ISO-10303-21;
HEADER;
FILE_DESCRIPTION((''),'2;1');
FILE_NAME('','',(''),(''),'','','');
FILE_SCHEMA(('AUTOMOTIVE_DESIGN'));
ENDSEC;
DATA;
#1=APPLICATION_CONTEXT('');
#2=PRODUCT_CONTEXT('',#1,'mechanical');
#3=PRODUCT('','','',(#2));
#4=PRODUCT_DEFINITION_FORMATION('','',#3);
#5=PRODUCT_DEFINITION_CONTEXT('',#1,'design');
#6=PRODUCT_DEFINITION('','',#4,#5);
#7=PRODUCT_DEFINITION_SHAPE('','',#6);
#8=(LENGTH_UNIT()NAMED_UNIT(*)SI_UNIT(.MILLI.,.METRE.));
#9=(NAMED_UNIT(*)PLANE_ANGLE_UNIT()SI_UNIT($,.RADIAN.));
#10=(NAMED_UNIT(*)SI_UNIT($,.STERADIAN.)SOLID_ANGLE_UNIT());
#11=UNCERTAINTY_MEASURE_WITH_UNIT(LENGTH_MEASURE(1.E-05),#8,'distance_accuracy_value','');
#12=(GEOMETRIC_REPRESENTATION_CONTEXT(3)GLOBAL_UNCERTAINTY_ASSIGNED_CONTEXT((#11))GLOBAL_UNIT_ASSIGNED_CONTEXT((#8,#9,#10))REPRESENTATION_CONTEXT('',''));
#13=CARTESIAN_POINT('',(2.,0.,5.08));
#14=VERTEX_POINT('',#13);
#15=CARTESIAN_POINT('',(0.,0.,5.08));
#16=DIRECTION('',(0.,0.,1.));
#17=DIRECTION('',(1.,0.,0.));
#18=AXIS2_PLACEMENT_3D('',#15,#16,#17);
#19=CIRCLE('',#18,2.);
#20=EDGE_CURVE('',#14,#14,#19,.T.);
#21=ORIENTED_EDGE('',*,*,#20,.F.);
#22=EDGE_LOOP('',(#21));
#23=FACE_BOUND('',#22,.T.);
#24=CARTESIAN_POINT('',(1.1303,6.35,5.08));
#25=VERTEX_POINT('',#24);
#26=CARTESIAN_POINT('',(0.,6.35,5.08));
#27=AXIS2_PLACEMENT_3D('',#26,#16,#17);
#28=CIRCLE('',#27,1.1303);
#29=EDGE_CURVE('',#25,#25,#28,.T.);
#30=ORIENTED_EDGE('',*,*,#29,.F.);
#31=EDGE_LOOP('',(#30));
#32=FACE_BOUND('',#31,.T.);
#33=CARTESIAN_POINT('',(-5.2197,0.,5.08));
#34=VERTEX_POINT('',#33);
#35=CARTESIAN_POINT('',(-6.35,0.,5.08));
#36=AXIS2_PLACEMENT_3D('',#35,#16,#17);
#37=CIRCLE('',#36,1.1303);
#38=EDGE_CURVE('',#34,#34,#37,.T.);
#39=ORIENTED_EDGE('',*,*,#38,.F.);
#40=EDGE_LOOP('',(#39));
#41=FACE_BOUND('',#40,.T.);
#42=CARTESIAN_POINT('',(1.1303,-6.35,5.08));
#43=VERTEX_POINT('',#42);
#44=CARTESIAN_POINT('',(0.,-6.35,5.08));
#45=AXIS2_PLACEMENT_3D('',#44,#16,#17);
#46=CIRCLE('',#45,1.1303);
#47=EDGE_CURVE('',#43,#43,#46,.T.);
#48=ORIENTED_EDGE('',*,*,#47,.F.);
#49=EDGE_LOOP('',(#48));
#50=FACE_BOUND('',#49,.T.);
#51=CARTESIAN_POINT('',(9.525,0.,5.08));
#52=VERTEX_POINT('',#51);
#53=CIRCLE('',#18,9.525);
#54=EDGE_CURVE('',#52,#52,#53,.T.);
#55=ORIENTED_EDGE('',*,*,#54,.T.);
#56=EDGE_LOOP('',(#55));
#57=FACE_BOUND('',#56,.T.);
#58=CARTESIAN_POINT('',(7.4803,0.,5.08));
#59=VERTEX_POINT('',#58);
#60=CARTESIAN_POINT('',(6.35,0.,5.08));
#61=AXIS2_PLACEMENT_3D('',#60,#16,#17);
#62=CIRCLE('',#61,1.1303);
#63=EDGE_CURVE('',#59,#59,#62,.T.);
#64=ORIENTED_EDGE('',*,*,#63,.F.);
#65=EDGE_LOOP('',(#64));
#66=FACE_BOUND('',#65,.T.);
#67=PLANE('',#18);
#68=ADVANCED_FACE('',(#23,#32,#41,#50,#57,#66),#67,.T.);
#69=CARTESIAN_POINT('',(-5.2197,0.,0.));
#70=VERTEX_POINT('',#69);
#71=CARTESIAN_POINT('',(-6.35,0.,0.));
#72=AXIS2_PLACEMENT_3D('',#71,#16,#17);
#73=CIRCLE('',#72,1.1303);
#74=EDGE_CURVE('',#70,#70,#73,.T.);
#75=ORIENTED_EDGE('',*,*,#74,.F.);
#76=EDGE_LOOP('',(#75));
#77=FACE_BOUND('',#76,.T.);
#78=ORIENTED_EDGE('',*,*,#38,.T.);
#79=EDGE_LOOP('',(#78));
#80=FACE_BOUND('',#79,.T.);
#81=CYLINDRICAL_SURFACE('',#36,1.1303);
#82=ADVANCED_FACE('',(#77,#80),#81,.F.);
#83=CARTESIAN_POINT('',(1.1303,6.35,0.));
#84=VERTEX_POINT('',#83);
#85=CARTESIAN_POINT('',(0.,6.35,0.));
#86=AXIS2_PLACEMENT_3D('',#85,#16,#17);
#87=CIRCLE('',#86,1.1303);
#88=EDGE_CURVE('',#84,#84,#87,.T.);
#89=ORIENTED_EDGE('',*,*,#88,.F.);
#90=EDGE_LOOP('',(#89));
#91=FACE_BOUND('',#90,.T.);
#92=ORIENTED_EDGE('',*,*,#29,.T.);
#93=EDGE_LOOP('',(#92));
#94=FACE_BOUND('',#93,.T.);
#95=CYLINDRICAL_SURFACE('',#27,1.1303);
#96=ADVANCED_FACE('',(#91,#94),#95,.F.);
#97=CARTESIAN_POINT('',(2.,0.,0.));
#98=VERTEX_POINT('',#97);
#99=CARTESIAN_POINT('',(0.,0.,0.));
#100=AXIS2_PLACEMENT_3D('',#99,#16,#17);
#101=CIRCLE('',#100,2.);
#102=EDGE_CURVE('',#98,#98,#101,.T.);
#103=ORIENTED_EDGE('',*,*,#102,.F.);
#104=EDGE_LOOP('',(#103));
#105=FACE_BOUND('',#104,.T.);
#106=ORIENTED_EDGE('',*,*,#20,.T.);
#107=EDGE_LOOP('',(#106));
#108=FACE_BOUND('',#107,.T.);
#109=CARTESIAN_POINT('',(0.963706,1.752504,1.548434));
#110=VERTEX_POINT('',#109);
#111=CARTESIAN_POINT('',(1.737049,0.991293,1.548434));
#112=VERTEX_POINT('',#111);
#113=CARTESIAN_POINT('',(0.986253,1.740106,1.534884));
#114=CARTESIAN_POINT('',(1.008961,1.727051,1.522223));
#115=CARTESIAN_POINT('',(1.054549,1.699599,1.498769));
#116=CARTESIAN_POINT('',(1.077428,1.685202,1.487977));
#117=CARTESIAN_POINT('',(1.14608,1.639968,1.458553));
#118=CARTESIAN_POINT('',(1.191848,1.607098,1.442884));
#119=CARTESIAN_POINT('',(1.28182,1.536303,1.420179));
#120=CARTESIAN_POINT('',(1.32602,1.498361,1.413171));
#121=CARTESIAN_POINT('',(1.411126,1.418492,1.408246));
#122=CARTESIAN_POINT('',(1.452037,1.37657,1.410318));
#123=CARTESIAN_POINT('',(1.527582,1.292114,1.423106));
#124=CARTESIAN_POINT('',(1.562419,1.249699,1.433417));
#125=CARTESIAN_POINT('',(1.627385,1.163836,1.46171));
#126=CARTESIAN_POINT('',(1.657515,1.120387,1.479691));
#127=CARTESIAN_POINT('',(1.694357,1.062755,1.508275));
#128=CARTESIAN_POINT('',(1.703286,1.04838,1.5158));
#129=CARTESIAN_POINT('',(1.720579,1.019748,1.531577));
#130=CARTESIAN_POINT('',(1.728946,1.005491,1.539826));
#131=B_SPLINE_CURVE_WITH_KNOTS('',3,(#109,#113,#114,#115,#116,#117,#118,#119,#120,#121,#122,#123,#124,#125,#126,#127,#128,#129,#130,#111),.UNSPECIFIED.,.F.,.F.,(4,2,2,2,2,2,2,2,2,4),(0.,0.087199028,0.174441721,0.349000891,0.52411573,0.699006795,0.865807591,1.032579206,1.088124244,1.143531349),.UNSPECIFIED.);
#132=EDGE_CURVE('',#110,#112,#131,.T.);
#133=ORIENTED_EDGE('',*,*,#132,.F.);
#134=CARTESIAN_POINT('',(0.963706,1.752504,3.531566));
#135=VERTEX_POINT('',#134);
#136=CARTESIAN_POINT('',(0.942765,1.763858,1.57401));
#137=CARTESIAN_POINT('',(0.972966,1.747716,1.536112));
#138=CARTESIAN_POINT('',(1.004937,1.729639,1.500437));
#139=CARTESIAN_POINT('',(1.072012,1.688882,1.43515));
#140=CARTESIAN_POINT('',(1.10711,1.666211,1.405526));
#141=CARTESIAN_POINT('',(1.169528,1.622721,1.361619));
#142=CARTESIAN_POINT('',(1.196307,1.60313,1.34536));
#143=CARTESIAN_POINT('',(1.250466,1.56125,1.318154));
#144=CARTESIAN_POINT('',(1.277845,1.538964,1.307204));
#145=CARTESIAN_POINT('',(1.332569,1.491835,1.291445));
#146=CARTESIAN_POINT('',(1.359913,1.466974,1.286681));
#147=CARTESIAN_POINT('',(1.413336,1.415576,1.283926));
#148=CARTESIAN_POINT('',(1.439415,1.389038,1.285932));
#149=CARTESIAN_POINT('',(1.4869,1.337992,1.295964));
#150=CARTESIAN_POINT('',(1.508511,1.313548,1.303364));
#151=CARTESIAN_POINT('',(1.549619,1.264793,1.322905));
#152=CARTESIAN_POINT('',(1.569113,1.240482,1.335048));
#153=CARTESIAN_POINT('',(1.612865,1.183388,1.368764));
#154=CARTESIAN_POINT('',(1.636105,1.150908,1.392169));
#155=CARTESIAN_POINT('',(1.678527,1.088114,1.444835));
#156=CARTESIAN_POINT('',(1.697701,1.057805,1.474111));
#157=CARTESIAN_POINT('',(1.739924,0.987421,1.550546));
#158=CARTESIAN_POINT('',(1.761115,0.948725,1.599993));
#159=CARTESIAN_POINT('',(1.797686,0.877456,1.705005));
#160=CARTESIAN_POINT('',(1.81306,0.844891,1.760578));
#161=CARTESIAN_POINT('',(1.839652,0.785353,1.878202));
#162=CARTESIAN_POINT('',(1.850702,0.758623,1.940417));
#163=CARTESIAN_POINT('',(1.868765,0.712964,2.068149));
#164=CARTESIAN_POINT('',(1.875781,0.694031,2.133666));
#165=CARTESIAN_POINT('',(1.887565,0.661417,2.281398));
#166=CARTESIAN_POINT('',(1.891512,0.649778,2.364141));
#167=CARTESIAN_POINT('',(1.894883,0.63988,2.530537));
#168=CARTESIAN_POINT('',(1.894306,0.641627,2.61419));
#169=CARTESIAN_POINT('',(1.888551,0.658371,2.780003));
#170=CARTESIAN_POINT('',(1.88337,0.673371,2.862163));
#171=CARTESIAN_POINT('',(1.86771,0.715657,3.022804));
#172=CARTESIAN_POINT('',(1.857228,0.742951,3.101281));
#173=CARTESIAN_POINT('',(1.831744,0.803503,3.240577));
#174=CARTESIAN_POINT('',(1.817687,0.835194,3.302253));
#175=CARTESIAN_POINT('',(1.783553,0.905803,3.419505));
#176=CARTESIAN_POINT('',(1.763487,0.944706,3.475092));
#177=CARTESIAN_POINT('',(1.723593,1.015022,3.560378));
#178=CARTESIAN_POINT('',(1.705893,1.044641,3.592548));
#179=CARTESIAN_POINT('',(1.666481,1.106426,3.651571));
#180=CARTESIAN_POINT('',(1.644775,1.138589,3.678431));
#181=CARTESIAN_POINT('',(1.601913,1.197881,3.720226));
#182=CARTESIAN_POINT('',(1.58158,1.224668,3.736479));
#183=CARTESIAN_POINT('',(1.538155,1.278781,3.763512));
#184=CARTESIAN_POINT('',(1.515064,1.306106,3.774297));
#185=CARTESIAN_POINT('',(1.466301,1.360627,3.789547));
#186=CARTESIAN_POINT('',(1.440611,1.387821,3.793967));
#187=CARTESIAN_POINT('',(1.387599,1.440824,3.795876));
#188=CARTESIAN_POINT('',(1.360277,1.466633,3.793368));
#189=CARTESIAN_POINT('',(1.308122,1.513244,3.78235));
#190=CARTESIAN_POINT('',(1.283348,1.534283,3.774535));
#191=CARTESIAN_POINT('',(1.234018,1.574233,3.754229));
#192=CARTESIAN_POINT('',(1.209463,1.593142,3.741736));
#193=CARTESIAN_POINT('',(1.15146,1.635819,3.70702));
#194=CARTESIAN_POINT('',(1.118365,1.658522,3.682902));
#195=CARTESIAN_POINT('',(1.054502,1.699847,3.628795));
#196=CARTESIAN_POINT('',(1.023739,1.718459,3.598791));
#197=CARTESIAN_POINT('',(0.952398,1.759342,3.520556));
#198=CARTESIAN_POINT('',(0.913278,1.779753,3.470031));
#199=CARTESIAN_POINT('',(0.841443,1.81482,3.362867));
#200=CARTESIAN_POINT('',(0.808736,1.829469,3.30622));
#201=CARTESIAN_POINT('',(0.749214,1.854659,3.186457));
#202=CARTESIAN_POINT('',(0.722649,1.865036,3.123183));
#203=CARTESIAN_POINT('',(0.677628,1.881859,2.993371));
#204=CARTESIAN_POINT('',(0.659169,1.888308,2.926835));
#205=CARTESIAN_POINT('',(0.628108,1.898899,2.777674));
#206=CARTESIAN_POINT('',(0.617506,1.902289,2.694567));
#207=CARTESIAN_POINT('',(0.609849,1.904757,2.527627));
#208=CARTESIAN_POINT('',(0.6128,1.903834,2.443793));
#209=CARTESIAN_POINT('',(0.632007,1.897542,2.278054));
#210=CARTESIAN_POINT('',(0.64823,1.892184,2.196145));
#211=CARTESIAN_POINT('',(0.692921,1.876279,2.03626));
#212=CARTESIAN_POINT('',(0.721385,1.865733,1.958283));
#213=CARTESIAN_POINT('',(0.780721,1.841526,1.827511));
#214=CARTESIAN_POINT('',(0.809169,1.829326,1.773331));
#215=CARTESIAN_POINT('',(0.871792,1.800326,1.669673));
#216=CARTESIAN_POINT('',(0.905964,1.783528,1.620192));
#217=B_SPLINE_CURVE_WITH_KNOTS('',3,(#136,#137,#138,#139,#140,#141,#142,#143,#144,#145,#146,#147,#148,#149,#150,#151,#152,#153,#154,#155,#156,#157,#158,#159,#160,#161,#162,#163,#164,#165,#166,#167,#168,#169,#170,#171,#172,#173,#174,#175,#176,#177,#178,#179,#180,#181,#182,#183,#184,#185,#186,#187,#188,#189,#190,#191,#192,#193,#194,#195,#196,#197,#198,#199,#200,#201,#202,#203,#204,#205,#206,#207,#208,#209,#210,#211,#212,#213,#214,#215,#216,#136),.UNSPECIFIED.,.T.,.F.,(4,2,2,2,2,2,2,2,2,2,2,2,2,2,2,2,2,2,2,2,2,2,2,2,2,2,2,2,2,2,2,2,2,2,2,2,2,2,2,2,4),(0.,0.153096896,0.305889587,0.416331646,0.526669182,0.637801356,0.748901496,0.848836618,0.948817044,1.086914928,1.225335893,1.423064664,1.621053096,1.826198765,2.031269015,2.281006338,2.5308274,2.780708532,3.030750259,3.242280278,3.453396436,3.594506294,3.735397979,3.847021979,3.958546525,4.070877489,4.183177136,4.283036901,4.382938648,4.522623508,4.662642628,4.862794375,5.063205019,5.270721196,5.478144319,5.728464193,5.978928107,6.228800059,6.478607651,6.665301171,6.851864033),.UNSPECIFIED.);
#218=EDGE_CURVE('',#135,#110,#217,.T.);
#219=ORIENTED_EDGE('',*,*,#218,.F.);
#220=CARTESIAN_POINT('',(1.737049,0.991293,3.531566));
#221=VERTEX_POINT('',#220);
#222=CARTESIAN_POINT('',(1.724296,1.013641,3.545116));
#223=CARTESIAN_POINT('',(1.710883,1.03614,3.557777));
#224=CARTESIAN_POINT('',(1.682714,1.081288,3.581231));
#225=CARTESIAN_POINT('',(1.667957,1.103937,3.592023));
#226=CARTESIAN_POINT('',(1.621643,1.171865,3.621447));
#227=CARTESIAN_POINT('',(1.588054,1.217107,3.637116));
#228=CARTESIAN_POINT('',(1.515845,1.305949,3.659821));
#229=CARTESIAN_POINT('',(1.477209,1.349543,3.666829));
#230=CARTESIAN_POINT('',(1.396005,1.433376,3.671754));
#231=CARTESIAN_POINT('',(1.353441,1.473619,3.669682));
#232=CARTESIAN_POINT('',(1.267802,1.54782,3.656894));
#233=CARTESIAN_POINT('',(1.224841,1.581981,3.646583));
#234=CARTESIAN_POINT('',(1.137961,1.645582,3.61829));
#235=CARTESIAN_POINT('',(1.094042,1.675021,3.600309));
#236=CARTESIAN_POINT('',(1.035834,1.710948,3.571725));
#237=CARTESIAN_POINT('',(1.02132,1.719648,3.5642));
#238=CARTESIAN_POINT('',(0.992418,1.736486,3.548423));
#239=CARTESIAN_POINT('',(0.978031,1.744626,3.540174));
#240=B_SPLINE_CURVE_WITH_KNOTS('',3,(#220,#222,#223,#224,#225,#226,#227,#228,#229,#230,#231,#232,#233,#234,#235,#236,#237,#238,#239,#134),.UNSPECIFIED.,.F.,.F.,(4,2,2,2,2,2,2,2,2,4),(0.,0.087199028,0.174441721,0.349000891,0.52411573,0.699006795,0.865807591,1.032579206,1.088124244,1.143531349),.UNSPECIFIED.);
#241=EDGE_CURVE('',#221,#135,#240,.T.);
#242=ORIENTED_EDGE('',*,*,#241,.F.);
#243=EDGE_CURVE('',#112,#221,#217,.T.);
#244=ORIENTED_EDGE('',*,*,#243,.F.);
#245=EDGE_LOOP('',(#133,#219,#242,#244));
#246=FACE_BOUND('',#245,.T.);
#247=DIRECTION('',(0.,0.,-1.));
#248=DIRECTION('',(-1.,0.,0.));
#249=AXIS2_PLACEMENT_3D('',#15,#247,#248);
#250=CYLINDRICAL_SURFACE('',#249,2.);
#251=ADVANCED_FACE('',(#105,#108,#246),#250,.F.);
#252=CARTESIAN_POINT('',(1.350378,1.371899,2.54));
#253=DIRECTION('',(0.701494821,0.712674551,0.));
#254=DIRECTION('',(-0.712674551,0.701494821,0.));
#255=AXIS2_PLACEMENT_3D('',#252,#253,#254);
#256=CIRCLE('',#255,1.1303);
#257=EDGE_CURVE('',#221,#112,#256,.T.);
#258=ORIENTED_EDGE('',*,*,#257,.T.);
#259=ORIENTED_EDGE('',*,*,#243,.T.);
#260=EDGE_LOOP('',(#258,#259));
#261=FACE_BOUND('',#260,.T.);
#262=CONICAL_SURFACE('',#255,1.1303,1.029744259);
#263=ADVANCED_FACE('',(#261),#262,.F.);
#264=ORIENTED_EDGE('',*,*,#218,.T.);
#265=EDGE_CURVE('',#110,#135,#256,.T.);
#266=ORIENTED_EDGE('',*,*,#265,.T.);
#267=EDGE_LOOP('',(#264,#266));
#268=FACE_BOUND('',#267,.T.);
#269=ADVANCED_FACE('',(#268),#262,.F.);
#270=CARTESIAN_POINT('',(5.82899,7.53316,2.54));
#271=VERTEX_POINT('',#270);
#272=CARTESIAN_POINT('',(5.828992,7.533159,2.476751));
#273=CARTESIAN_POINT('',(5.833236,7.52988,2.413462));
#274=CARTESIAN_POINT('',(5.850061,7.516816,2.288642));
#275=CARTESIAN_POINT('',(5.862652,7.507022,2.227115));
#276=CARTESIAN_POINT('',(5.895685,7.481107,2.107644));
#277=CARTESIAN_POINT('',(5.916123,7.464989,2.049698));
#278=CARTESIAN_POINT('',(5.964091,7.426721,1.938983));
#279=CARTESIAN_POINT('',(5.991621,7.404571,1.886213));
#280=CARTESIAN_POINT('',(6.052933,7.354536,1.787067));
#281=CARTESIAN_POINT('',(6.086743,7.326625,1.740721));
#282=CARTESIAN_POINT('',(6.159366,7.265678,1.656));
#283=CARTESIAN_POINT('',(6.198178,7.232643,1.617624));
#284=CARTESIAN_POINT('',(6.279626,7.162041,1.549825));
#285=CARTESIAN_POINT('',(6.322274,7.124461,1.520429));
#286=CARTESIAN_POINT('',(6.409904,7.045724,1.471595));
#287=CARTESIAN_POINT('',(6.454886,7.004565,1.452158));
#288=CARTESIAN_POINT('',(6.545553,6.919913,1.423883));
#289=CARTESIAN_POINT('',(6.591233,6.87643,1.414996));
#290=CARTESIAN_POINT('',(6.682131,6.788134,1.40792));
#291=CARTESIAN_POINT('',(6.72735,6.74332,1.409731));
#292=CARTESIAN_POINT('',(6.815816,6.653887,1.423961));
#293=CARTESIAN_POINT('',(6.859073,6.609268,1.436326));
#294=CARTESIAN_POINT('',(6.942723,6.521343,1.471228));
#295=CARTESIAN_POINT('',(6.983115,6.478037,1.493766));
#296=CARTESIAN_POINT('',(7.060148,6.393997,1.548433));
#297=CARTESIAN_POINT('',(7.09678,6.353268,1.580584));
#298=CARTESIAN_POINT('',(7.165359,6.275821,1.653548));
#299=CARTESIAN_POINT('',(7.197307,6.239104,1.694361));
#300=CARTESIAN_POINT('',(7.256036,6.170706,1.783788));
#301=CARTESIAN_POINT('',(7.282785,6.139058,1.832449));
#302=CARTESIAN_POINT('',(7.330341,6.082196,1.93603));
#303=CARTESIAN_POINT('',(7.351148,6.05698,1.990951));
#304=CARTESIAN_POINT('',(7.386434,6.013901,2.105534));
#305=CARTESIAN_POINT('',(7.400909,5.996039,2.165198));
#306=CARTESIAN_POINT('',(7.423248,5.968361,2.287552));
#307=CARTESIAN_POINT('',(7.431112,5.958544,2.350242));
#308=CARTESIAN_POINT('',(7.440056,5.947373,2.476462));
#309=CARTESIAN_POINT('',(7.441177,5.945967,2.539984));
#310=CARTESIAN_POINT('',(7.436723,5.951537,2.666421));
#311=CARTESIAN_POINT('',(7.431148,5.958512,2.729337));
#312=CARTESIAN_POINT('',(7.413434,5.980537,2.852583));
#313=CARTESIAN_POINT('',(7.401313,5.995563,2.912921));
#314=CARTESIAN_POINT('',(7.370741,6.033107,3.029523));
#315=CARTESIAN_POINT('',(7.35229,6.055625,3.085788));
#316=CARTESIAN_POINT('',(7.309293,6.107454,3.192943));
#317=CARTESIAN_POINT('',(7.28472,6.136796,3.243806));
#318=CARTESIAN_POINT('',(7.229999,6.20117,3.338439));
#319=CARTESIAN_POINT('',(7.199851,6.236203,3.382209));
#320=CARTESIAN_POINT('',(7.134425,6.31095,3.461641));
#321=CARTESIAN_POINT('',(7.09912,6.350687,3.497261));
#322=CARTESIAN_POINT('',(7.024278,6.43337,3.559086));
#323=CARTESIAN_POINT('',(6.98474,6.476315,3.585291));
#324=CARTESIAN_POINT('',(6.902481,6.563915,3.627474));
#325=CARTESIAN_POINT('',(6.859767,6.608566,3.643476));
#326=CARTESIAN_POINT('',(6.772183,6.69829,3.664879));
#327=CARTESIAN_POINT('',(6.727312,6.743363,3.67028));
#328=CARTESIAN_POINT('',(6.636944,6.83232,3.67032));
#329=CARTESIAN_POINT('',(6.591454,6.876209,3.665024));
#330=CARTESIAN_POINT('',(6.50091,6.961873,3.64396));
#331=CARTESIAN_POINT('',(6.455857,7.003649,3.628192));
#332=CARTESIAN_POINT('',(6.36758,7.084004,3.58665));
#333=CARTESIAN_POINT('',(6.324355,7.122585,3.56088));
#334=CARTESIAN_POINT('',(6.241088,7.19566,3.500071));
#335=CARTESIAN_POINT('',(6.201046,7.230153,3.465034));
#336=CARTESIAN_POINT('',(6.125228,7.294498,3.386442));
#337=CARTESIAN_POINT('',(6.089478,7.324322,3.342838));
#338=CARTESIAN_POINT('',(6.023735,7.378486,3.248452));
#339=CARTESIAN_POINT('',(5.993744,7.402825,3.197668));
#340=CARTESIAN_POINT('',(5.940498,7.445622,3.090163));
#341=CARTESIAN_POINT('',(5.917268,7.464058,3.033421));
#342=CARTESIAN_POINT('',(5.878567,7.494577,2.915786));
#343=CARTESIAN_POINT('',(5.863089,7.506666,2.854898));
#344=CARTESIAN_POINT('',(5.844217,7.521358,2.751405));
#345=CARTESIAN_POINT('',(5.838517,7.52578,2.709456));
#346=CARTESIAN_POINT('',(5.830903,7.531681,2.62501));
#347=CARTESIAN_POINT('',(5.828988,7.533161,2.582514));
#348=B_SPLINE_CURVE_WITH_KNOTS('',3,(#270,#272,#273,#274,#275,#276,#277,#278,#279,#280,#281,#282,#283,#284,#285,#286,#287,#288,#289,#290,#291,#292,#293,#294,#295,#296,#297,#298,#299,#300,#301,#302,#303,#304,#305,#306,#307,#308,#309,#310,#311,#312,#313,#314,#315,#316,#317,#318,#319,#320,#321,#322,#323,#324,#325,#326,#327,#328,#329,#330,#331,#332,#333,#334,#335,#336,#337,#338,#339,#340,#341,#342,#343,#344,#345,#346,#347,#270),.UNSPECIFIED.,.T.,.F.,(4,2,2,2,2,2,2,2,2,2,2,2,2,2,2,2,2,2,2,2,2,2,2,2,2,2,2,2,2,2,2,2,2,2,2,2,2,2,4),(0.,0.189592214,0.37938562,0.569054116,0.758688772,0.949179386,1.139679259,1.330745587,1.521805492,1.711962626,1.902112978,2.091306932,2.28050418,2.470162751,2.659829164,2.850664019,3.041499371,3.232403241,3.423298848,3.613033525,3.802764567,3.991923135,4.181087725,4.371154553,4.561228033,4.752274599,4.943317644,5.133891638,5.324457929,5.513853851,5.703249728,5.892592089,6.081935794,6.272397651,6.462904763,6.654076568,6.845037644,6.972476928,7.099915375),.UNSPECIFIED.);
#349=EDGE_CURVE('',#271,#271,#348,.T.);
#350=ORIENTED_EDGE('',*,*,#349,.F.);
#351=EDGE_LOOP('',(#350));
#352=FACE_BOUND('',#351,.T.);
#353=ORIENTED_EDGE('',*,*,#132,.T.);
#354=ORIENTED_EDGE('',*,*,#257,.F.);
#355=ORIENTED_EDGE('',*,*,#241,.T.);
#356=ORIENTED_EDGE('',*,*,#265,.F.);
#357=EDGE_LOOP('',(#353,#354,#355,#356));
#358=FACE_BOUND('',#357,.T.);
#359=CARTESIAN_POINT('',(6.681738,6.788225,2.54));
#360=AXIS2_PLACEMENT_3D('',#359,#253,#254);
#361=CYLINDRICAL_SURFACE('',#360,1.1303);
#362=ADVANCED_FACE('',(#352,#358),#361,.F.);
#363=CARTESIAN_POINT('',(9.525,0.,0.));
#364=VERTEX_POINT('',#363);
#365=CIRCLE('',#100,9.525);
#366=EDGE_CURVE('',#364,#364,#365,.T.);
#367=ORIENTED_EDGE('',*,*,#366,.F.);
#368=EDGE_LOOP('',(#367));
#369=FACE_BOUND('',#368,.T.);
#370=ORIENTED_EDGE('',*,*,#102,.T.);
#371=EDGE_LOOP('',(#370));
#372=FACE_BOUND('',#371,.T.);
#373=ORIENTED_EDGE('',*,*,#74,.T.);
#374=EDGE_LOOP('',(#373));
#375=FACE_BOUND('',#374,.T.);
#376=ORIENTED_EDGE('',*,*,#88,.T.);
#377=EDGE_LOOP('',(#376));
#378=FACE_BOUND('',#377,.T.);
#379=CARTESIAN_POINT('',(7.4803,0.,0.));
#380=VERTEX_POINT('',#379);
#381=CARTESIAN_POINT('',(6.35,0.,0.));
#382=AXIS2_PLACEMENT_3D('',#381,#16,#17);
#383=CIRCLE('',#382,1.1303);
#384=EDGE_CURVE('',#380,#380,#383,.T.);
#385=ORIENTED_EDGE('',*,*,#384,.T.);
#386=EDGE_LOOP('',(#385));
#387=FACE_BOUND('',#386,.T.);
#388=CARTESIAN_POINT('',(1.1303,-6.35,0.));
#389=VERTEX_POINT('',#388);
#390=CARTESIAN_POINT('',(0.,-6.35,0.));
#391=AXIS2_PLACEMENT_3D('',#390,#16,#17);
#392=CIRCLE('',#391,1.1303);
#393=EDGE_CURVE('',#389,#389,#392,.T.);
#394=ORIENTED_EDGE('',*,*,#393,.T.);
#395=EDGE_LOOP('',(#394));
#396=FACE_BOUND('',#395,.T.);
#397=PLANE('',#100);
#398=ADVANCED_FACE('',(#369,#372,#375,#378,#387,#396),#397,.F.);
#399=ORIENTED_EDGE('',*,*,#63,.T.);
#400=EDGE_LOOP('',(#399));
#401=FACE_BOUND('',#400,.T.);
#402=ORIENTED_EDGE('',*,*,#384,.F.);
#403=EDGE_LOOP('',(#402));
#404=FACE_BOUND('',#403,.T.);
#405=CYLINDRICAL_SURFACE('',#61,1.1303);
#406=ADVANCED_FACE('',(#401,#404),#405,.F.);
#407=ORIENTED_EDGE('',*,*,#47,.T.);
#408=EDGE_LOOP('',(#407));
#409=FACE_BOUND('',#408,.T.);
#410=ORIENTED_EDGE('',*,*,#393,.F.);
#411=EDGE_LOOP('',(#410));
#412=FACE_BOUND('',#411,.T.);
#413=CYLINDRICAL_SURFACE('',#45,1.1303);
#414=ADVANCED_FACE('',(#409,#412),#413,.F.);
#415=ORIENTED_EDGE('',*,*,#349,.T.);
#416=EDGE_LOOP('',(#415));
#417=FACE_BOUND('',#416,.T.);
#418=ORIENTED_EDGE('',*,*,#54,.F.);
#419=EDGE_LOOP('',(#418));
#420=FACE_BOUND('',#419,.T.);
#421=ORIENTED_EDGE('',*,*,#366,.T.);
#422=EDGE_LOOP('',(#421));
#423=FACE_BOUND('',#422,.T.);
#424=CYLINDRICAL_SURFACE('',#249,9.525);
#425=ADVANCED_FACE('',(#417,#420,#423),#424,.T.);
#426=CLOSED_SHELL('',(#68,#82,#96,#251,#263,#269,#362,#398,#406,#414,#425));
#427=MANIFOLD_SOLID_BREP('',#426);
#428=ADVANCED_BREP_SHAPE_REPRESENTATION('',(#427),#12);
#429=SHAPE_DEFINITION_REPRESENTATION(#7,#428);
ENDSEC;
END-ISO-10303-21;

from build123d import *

# Parameters (mm, degrees)
SKETCH1_R                 = 9.525
SKETCH1_R_2               = 2
BOSS_EXTRUDE1_DEPTH       = 5.08
F_4_40_TAPPED_HOLE3_D     = 2.2606
F_4_40_TAPPED_HOLE3_DEPTH = 7.6
F_4_40_TAPPED_HOLE3_TIP   = 0.679152758
F_4_40_TAPPED_HOLE2_D     = 2.2606
F_4_40_TAPPED_HOLE2_DEPTH = 7.6
F_4_40_TAPPED_HOLE2_TIP   = 0.679152758


with BuildPart() as part:
    # Sketch1 → Boss-Extrude1 (new body)
    with BuildSketch(Plane.XY):
        Circle(SKETCH1_R)
        Circle(SKETCH1_R_2, mode=Mode.SUBTRACT)
    extrude(amount=BOSS_EXTRUDE1_DEPTH)

    # #4-40 Tapped Hole3
    with Locations(Plane.XY.offset(5.08)):
        with Locations((-6.35, 0), (6.35, 0), (0, 6.35), (0, -6.35)):
            Hole(F_4_40_TAPPED_HOLE3_D / 2, depth=F_4_40_TAPPED_HOLE3_DEPTH)
            with Locations((0, 0, -(F_4_40_TAPPED_HOLE3_DEPTH + F_4_40_TAPPED_HOLE3_TIP / 2))):  # 118° drill point
                Cone(0, F_4_40_TAPPED_HOLE3_D / 2, F_4_40_TAPPED_HOLE3_TIP, mode=Mode.SUBTRACT)

    # #4-40 Tapped Hole2
    with Locations(Plane(origin=(6.681738172, 6.788225099, 2.54), x_dir=(0.712674551117, -0.701494821214, 0), z_dir=(0.701494821214, 0.712674551117, 0))):
        with Locations((0, 0)):
            Hole(F_4_40_TAPPED_HOLE2_D / 2, depth=F_4_40_TAPPED_HOLE2_DEPTH)
            with Locations((0, 0, -(F_4_40_TAPPED_HOLE2_DEPTH + F_4_40_TAPPED_HOLE2_TIP / 2))):  # 118° drill point
                Cone(0, F_4_40_TAPPED_HOLE2_D / 2, F_4_40_TAPPED_HOLE2_TIP, mode=Mode.SUBTRACT)


solid = part.part
